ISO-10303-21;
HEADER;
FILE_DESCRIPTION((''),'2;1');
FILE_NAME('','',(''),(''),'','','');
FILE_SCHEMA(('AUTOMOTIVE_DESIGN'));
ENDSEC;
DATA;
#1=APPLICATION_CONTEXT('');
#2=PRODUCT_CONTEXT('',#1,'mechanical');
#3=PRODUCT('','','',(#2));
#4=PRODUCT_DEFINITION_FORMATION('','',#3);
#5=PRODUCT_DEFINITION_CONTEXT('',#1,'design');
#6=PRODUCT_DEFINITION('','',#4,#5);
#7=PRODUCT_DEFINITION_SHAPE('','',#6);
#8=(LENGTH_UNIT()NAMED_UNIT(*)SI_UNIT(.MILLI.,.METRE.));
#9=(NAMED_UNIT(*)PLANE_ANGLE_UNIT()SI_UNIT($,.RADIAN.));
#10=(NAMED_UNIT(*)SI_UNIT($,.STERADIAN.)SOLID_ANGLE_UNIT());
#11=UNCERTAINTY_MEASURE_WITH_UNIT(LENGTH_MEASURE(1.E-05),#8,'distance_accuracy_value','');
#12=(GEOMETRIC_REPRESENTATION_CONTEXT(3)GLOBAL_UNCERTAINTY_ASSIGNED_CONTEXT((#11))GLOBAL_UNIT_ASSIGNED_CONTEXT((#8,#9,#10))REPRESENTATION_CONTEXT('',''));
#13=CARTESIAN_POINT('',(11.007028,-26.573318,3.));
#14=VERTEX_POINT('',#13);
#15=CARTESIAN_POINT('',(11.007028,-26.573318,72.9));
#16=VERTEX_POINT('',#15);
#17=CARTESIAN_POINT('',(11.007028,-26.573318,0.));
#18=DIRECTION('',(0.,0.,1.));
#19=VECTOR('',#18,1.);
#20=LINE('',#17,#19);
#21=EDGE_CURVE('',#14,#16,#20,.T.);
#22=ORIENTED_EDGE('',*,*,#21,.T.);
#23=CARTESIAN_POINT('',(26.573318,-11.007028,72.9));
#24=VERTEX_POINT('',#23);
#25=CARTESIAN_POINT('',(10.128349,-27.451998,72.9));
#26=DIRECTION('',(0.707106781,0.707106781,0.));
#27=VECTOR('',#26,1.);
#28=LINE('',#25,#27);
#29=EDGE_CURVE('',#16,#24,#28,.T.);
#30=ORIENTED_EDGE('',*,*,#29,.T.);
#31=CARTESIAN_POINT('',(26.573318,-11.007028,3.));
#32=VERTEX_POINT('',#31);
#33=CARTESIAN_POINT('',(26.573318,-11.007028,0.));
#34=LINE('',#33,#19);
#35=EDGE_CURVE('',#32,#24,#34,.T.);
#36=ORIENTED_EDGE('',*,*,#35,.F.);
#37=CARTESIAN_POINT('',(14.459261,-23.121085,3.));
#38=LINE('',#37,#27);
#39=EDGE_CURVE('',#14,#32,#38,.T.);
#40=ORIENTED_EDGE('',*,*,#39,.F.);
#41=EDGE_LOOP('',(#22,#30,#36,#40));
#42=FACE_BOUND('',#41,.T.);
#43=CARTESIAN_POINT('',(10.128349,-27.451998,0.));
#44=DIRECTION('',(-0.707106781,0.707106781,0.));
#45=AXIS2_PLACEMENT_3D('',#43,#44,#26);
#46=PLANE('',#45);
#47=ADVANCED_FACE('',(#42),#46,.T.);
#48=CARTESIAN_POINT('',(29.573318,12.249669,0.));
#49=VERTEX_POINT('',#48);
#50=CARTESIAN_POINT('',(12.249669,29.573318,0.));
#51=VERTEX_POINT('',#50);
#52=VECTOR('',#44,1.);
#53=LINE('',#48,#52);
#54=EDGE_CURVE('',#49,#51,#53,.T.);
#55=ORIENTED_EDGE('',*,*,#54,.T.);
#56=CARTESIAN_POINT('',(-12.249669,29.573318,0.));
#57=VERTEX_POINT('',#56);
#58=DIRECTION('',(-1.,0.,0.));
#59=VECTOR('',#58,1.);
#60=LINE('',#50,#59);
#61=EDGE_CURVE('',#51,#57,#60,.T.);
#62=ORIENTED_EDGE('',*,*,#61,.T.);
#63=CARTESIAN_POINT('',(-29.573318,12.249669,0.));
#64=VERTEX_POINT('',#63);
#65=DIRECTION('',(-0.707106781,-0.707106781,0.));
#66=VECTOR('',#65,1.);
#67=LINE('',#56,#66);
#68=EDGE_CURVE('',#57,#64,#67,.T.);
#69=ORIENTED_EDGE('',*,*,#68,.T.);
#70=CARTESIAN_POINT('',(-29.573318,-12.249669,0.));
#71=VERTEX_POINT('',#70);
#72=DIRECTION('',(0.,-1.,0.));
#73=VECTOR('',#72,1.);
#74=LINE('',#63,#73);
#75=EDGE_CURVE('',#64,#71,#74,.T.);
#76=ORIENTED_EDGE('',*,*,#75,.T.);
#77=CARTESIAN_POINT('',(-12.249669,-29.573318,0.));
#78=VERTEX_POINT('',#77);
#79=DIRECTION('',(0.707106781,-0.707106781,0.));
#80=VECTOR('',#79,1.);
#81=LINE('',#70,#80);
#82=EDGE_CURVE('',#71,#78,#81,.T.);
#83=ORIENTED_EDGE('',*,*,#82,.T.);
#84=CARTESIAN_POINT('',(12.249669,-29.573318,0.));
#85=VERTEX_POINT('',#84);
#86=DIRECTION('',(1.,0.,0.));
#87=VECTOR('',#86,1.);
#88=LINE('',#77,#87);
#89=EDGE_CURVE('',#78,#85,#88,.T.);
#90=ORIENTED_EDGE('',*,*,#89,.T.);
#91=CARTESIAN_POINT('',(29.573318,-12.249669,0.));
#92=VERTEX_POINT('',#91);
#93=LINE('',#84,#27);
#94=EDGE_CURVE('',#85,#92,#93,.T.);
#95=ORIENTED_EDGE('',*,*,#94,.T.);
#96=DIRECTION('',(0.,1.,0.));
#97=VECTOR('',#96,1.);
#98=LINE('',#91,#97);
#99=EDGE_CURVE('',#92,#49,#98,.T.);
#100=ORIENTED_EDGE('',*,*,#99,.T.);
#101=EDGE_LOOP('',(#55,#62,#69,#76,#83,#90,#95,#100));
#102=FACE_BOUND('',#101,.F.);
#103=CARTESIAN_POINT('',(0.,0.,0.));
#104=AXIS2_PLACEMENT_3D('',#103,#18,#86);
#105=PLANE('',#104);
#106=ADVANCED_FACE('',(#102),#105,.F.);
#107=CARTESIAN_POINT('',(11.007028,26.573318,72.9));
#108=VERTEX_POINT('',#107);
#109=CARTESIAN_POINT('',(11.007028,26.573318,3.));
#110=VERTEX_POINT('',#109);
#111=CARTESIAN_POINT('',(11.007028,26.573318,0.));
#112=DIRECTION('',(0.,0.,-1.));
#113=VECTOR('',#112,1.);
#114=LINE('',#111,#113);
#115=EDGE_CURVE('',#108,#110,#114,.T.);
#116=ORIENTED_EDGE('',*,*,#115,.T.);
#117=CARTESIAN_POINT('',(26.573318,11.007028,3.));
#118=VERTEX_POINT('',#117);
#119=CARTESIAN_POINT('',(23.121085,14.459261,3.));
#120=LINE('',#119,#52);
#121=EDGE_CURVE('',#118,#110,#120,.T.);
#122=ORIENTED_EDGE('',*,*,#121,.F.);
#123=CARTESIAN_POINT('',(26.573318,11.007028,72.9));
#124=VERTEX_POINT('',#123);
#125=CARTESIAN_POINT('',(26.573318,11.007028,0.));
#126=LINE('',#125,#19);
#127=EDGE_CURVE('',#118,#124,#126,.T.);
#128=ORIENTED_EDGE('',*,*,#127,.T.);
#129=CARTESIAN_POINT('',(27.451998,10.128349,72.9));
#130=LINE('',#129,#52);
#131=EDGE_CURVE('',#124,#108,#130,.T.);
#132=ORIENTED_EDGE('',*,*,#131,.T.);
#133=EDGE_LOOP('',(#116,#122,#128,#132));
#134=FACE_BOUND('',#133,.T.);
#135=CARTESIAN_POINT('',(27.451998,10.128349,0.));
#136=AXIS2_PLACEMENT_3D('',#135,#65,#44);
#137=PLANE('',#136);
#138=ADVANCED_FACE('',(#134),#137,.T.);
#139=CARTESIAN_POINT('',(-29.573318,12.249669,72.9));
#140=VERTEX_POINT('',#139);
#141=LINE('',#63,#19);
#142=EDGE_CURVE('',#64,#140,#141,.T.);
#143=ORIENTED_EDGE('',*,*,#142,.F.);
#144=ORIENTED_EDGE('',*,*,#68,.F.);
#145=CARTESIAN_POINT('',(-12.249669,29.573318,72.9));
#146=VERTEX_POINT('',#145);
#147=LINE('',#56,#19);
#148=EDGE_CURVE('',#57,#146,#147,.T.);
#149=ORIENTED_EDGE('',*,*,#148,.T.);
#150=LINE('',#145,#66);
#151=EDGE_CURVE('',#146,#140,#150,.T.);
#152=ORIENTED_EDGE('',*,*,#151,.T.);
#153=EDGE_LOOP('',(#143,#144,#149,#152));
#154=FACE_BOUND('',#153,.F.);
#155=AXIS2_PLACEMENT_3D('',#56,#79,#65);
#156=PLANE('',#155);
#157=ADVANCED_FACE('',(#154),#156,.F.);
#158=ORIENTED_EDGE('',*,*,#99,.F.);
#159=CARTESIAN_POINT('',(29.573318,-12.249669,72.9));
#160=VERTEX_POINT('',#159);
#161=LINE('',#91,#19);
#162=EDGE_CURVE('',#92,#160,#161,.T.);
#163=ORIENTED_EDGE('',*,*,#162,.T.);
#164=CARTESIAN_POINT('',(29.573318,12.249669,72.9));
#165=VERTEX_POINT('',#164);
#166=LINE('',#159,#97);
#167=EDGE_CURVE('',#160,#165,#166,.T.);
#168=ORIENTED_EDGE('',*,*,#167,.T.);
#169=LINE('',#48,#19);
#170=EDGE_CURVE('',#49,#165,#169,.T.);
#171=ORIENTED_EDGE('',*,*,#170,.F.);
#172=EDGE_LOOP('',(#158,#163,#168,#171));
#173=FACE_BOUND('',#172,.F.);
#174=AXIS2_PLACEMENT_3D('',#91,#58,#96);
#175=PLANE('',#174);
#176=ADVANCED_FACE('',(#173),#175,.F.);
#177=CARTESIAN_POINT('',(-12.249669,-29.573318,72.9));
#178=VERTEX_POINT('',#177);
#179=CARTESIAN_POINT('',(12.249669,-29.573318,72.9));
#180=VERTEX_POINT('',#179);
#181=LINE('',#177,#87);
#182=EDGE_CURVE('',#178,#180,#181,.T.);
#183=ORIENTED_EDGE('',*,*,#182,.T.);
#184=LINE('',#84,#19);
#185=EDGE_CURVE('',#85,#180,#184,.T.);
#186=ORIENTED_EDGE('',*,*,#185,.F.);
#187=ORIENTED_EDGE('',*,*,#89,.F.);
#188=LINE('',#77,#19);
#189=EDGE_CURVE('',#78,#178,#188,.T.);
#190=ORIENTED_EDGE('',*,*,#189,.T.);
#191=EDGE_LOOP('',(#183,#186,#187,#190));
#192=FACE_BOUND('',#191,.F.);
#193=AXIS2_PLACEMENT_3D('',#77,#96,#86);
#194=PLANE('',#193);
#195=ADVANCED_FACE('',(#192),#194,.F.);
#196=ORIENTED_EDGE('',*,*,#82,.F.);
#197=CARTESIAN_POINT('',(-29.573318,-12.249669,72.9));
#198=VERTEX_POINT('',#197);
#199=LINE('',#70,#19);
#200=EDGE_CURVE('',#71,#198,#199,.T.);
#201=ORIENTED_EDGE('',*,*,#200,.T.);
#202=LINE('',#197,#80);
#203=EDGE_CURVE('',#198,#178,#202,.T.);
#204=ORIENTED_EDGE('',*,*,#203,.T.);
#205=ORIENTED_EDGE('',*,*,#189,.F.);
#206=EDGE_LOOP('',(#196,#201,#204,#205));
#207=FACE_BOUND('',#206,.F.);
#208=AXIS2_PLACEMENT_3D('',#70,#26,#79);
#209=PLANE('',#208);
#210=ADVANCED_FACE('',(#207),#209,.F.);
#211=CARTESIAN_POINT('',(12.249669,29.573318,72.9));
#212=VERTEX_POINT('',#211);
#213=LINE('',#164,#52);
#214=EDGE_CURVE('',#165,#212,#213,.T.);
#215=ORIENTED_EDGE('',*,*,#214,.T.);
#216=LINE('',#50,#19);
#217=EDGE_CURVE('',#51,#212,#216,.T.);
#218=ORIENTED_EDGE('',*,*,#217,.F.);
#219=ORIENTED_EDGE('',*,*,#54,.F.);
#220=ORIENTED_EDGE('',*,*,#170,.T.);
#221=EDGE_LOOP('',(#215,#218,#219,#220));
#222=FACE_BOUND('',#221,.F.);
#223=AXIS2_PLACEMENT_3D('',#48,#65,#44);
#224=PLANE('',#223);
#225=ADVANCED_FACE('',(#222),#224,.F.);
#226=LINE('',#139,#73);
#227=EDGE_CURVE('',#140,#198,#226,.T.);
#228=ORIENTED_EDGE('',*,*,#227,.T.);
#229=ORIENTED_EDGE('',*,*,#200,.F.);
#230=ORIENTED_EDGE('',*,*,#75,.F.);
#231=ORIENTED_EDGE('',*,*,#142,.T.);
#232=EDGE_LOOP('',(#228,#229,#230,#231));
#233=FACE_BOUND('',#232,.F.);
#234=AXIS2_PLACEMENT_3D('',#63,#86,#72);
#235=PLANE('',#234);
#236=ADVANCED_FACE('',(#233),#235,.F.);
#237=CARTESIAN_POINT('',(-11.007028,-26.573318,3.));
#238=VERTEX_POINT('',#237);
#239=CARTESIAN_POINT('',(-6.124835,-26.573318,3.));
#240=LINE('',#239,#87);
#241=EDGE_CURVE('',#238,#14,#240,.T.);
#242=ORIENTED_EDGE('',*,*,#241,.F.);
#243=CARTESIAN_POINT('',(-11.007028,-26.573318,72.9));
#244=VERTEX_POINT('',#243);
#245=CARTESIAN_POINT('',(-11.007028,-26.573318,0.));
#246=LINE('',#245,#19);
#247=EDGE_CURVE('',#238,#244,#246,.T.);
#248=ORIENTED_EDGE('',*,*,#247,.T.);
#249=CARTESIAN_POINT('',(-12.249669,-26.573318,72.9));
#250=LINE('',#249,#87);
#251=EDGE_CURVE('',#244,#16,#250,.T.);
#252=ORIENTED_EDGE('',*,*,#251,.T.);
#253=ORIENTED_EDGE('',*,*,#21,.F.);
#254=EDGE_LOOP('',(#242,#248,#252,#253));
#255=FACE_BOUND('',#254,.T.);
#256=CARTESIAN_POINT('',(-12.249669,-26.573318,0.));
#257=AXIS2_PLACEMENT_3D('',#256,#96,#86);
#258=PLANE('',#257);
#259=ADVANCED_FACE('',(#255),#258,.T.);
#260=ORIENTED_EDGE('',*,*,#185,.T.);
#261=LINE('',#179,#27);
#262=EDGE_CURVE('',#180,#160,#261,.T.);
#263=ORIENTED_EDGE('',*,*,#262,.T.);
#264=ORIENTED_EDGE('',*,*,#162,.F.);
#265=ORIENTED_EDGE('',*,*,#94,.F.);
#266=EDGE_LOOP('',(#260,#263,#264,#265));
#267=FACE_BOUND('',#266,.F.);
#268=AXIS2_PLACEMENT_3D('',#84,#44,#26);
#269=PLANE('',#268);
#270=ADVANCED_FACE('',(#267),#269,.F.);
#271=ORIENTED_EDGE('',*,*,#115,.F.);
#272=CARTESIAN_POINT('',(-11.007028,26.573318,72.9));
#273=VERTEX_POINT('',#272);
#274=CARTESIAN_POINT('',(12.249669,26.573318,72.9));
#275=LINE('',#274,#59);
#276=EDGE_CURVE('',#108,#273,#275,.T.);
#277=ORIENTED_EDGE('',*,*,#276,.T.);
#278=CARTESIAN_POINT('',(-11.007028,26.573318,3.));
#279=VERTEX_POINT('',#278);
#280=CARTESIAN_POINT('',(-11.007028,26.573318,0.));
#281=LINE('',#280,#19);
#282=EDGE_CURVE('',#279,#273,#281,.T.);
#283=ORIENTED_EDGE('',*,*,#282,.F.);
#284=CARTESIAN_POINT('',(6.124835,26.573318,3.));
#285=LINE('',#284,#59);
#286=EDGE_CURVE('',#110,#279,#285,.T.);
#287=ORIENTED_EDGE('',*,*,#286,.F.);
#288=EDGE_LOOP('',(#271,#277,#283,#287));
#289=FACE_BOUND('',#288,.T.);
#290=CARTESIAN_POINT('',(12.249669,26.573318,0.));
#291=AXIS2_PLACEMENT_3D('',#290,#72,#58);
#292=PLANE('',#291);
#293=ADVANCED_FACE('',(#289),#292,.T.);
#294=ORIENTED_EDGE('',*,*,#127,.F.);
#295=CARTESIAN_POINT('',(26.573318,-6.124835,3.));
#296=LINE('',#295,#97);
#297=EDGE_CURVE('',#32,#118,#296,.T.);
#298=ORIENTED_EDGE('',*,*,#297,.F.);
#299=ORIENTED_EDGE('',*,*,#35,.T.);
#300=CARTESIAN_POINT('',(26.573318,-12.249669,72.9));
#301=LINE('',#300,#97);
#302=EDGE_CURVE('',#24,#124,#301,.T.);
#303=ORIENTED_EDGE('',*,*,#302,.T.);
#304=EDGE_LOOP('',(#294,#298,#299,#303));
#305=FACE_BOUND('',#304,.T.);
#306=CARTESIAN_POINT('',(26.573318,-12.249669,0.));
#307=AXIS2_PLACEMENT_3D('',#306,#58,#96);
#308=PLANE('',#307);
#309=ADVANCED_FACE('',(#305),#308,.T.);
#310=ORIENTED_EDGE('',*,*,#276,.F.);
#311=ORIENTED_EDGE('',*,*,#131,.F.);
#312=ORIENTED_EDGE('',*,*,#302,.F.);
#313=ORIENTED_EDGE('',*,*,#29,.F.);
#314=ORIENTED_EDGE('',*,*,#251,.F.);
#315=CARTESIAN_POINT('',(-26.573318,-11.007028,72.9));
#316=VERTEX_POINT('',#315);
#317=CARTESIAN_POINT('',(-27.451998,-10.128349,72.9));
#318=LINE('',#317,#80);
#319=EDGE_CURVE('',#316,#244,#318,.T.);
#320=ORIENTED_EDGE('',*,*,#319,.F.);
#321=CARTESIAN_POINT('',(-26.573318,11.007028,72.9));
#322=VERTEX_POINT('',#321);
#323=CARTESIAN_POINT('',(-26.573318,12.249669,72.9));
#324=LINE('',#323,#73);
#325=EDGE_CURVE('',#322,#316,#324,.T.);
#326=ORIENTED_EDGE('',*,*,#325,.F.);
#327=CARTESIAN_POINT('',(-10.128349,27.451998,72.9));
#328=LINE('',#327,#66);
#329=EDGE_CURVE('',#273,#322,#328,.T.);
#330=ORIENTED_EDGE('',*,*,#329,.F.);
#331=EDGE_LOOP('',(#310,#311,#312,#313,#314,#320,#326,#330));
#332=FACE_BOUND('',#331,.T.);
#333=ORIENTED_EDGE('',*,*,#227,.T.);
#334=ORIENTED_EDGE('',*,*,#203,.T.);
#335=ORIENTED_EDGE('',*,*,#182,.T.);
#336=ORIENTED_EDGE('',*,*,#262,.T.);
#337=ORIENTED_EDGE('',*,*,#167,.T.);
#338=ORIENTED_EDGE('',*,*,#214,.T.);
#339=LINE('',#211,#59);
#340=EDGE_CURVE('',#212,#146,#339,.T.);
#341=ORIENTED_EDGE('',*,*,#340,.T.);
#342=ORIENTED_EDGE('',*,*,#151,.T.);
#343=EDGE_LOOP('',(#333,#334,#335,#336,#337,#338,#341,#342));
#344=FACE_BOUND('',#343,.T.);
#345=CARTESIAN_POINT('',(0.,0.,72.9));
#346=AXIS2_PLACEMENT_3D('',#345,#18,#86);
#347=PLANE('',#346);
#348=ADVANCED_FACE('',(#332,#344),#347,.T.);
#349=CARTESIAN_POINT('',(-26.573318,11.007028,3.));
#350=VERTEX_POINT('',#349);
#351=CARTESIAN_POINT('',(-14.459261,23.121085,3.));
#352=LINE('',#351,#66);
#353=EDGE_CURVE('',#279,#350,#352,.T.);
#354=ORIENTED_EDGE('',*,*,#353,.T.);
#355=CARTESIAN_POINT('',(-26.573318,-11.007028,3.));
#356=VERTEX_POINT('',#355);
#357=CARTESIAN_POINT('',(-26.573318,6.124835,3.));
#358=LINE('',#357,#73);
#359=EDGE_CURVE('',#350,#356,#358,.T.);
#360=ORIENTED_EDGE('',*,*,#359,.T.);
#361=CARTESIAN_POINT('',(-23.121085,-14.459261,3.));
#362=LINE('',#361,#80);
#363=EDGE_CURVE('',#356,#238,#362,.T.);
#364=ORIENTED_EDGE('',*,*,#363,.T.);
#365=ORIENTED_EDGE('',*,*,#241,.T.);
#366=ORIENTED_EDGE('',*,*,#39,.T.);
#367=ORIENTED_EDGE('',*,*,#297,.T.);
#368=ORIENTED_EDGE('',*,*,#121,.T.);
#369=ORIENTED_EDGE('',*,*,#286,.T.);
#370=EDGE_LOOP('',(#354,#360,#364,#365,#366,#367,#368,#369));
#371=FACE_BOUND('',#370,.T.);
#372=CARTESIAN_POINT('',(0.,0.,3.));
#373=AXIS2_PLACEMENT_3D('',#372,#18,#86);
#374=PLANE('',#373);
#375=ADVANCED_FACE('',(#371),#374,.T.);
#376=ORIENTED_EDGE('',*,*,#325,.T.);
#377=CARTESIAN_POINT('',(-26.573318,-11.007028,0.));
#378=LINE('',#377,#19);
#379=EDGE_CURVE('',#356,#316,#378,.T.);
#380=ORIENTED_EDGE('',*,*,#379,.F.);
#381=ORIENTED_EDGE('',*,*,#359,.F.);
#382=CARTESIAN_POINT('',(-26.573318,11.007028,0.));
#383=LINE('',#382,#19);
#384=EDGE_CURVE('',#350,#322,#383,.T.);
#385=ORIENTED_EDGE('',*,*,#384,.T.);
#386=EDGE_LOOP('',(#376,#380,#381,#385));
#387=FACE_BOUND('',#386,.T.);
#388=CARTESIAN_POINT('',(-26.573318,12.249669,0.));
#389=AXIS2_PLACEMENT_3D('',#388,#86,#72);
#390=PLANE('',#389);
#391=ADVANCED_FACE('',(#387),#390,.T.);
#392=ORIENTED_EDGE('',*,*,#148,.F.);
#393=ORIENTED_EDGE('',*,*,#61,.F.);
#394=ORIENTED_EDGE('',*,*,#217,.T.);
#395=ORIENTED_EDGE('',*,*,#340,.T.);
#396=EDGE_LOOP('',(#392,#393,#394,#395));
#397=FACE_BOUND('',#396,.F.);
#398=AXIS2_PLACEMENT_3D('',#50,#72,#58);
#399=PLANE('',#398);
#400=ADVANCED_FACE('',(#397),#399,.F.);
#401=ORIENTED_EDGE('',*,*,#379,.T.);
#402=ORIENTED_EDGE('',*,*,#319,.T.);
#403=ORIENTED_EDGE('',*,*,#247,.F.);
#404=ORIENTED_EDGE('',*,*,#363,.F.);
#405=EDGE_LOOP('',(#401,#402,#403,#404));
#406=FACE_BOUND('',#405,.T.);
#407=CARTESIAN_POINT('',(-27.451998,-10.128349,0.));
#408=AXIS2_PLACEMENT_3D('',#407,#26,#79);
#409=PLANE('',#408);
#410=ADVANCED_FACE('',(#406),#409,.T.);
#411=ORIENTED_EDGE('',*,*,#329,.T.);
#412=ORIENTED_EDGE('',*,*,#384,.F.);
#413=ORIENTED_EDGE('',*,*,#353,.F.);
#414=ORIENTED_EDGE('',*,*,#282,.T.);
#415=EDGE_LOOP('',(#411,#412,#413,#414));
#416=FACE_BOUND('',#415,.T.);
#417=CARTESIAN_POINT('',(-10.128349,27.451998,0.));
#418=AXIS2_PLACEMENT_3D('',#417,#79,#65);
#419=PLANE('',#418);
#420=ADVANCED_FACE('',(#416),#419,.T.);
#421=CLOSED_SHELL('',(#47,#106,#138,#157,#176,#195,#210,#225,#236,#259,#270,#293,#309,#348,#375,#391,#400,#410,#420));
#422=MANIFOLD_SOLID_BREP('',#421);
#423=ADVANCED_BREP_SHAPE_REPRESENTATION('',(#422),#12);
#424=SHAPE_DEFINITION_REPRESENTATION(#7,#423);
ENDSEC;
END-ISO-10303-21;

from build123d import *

# Parameters (mm, degrees)
F1_DEPTH = 72.9
F2_T     = -3


with BuildPart() as f1:
    # F0 (on Top) → F1 (new body)
    with BuildSketch(Plane.XY):
        Polygon((12.249669, 29.573318), (-12.249669, 29.573318), (-29.573318, 12.249669), (-29.573318, -12.249669), (-12.249669, -29.573318), (12.249669, -29.573318), (29.573318, -12.249669), (29.573318, 12.249669), align=None)
    extrude(amount=F1_DEPTH)

    # F2
    f2_openings = [f1.faces().sort_by_distance(p)[0] for p in [
        (0, 0, 72.9),
    ]]
    offset(amount=F2_T, openings=f2_openings)


solid = f1.part
